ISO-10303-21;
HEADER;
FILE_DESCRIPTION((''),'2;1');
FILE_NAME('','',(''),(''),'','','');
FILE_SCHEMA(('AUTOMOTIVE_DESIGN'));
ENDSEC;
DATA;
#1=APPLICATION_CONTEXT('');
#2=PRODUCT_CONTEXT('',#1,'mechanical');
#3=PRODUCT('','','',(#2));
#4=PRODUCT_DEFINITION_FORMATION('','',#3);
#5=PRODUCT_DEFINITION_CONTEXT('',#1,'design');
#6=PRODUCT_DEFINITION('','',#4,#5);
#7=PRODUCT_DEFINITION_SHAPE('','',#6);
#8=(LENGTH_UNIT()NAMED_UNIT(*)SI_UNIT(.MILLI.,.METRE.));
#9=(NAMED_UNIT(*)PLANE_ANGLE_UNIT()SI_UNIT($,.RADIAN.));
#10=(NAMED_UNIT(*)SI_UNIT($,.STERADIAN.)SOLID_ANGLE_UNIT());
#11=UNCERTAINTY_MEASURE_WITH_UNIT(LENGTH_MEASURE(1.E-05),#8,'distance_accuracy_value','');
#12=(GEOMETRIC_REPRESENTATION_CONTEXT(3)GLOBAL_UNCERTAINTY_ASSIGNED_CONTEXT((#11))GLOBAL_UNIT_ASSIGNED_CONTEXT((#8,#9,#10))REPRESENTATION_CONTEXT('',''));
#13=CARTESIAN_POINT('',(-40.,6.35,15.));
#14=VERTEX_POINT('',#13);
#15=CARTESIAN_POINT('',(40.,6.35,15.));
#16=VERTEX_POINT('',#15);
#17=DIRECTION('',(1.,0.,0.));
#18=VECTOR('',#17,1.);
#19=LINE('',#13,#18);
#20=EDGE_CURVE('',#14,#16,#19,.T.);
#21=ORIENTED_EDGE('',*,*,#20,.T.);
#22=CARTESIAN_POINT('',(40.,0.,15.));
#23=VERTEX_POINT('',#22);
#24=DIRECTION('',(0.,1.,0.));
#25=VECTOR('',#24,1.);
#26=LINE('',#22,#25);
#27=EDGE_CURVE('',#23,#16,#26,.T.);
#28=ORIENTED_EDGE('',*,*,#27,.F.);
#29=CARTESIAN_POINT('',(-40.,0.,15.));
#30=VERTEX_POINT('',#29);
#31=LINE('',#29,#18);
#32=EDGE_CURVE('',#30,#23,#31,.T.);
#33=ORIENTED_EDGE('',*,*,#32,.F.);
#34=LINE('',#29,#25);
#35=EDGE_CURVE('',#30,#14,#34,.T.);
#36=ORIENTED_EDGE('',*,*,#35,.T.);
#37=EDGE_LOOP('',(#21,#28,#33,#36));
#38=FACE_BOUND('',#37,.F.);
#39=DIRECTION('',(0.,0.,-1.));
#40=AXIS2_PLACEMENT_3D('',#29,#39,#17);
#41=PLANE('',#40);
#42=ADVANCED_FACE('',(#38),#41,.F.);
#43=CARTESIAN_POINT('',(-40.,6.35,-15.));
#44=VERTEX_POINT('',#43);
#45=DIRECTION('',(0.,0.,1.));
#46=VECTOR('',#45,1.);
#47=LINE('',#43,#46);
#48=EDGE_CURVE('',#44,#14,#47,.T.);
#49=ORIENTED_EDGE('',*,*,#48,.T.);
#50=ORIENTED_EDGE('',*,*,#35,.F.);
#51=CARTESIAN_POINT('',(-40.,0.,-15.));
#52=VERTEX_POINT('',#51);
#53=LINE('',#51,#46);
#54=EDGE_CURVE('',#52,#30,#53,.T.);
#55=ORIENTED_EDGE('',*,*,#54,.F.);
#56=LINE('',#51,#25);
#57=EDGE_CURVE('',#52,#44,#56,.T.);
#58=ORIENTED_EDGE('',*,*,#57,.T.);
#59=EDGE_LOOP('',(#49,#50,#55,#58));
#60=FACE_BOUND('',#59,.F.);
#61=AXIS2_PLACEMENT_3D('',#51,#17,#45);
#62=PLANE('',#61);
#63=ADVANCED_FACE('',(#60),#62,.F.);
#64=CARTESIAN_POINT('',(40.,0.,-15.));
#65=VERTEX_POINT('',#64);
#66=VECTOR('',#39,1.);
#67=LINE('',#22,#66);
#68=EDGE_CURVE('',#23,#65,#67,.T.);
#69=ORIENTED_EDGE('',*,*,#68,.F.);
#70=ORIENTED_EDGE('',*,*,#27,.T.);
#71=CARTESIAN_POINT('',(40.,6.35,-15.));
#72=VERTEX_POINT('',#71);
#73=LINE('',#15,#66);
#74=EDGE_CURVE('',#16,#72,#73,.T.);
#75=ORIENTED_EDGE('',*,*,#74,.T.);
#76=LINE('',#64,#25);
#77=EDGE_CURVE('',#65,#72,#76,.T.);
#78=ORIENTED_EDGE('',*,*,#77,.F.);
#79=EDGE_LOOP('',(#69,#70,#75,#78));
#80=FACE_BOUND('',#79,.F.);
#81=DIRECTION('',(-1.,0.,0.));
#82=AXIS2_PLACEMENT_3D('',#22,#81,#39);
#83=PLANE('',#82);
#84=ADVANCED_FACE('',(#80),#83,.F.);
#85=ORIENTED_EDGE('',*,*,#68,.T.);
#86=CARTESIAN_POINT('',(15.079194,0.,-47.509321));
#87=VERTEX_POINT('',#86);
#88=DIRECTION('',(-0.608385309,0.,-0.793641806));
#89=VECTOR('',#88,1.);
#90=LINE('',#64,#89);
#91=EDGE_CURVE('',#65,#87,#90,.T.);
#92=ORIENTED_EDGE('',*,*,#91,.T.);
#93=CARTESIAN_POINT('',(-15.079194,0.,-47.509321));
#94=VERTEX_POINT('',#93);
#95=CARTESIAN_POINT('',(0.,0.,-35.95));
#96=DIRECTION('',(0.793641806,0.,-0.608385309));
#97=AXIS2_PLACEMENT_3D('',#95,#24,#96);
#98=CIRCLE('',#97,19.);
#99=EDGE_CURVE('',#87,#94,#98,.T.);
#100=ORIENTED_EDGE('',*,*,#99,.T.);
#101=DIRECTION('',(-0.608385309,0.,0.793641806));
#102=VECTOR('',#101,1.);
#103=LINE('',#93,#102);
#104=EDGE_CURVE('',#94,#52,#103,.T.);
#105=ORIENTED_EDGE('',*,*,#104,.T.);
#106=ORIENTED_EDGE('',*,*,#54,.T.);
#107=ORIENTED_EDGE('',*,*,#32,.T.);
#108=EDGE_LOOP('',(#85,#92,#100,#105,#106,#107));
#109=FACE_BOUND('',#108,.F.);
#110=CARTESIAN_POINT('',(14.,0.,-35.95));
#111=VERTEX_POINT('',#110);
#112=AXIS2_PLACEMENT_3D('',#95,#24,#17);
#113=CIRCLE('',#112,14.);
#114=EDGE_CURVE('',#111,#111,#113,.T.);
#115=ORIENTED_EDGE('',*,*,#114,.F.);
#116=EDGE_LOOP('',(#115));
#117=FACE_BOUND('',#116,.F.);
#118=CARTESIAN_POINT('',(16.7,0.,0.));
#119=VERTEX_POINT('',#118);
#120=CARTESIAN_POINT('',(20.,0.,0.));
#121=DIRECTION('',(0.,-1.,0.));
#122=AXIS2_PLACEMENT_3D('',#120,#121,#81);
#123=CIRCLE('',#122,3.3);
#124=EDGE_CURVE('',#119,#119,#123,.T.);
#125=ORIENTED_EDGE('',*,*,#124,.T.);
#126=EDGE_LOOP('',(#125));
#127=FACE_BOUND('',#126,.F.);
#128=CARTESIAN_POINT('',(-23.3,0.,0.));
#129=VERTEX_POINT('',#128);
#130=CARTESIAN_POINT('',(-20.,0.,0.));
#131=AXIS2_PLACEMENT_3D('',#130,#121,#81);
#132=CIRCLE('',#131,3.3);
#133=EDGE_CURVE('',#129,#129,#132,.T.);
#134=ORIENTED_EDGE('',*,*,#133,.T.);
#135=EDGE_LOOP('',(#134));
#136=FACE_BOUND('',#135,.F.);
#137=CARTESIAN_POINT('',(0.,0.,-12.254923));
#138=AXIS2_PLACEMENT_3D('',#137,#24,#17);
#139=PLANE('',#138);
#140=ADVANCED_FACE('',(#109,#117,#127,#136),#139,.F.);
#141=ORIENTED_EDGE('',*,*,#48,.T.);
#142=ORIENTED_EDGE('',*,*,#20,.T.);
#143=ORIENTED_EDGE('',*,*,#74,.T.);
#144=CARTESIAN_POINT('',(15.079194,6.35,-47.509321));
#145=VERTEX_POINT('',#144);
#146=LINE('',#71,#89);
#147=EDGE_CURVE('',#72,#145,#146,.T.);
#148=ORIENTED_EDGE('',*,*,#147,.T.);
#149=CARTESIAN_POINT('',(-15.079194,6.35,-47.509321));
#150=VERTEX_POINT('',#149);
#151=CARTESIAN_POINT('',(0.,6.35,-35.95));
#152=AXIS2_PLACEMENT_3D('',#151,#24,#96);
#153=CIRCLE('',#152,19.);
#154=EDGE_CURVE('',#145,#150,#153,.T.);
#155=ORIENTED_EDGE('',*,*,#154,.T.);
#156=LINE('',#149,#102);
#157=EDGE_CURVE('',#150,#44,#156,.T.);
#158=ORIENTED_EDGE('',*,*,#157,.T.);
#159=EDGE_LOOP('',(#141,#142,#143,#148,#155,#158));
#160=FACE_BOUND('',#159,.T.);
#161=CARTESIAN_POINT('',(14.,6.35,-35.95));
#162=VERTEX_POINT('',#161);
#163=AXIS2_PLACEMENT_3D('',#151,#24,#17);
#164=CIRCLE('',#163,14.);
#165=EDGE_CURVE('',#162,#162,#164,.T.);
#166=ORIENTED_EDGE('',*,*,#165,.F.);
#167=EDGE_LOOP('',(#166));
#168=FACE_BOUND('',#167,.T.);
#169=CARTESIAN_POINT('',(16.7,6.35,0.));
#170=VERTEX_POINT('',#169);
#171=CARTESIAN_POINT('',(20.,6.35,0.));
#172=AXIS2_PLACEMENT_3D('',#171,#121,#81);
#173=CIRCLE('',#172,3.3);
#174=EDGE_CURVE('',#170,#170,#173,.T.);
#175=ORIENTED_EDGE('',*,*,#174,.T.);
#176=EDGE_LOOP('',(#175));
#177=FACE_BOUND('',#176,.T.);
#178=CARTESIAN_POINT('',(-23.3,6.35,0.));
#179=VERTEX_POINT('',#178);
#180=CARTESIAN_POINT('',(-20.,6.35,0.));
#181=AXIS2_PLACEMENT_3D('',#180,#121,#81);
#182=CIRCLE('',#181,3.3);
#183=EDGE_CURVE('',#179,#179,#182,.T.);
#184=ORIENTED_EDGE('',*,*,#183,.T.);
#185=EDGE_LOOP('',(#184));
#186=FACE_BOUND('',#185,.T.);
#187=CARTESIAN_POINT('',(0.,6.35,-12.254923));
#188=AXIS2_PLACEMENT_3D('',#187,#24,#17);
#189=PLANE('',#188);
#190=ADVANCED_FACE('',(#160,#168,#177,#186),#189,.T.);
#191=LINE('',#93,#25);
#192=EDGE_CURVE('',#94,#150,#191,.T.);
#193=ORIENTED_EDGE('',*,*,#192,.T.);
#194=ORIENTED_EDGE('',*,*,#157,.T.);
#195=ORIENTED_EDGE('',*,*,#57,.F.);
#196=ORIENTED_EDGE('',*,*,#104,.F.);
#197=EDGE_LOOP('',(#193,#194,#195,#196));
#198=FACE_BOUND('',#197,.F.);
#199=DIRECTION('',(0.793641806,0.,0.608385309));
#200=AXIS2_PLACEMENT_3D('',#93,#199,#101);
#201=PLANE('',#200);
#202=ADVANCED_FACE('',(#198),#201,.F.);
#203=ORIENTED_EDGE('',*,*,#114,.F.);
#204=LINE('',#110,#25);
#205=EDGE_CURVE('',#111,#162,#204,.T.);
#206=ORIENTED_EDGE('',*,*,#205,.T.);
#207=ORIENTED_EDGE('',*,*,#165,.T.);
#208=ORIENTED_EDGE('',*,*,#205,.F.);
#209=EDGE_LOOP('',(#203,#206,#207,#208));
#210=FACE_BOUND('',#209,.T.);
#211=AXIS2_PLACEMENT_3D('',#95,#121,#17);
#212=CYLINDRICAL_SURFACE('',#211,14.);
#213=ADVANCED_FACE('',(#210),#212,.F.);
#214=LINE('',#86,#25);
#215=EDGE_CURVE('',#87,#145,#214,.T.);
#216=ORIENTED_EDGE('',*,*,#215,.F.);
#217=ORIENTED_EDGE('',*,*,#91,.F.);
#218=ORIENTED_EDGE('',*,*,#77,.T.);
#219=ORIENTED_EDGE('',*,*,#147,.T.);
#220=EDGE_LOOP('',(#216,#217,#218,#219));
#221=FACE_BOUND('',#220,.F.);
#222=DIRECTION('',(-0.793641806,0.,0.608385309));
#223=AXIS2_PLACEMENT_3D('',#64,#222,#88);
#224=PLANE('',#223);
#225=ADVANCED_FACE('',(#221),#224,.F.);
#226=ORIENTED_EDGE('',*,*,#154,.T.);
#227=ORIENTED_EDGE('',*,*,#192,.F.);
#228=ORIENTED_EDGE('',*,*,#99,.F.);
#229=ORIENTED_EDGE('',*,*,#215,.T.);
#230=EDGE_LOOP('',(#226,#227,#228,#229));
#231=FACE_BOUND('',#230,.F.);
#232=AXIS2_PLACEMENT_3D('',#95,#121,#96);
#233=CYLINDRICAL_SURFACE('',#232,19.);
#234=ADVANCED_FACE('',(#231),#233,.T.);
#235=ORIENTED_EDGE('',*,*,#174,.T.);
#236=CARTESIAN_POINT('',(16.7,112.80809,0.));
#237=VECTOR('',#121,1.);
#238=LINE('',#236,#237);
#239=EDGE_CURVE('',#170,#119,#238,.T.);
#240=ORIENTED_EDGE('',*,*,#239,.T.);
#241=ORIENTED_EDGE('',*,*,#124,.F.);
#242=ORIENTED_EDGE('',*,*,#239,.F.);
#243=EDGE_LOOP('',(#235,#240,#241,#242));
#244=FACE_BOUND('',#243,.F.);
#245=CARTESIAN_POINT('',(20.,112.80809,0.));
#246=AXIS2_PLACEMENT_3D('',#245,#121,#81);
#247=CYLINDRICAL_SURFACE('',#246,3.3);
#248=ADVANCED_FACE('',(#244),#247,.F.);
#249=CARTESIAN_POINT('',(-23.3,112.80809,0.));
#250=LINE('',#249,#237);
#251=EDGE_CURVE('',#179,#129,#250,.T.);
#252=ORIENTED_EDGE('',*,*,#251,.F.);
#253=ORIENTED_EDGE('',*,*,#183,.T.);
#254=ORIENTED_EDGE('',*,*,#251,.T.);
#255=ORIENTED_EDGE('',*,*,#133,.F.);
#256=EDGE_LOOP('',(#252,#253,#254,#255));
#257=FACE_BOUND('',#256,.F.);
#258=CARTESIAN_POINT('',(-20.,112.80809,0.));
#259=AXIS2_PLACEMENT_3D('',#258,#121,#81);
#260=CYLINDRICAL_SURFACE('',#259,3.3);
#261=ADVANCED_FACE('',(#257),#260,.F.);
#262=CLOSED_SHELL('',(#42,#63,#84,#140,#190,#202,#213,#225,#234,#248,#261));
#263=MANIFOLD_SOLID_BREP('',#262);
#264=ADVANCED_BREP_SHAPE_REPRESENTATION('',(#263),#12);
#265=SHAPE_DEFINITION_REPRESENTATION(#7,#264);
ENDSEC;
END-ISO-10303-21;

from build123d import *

# Parameters (mm, degrees)
SKETCH1_R            = 14
BOSS_EXTRUDE1_DEPTH  = 6.35
M6_CLEARANCE_HOLE1_D = 6.6


with BuildPart() as part:
    # Sketch1 → Boss-Extrude1 (new body)
    with BuildSketch(Plane(origin=(0, 0, 0), x_dir=(1, 0, 0), z_dir=(0, 1, 0))):
        with BuildLine():
            Line((40, -15), (40, 15))
            Line((40, 15), (15.079194307, 47.509320873))
            ThreePointArc((15.079194307, 47.509320873), (0, 54.95), (-15.079194307, 47.509320873))
            Line((-15.079194307, 47.509320873), (-40, 15))
            Line((-40, 15), (-40, -15))
            Line((-40, -15), (40, -15))
        make_face()
        with Locations((0, 35.95)):
            Circle(SKETCH1_R, mode=Mode.SUBTRACT)
    extrude(amount=BOSS_EXTRUDE1_DEPTH)

    # M6 Clearance Hole1 (through all)
    with Locations(Plane(origin=(0, 6.35, 0), x_dir=(1, 0, 0), z_dir=(0, 1, 0))):
        with Locations((-20, 0), (20, 0)):
            Hole(M6_CLEARANCE_HOLE1_D / 2)


solid = part.part
